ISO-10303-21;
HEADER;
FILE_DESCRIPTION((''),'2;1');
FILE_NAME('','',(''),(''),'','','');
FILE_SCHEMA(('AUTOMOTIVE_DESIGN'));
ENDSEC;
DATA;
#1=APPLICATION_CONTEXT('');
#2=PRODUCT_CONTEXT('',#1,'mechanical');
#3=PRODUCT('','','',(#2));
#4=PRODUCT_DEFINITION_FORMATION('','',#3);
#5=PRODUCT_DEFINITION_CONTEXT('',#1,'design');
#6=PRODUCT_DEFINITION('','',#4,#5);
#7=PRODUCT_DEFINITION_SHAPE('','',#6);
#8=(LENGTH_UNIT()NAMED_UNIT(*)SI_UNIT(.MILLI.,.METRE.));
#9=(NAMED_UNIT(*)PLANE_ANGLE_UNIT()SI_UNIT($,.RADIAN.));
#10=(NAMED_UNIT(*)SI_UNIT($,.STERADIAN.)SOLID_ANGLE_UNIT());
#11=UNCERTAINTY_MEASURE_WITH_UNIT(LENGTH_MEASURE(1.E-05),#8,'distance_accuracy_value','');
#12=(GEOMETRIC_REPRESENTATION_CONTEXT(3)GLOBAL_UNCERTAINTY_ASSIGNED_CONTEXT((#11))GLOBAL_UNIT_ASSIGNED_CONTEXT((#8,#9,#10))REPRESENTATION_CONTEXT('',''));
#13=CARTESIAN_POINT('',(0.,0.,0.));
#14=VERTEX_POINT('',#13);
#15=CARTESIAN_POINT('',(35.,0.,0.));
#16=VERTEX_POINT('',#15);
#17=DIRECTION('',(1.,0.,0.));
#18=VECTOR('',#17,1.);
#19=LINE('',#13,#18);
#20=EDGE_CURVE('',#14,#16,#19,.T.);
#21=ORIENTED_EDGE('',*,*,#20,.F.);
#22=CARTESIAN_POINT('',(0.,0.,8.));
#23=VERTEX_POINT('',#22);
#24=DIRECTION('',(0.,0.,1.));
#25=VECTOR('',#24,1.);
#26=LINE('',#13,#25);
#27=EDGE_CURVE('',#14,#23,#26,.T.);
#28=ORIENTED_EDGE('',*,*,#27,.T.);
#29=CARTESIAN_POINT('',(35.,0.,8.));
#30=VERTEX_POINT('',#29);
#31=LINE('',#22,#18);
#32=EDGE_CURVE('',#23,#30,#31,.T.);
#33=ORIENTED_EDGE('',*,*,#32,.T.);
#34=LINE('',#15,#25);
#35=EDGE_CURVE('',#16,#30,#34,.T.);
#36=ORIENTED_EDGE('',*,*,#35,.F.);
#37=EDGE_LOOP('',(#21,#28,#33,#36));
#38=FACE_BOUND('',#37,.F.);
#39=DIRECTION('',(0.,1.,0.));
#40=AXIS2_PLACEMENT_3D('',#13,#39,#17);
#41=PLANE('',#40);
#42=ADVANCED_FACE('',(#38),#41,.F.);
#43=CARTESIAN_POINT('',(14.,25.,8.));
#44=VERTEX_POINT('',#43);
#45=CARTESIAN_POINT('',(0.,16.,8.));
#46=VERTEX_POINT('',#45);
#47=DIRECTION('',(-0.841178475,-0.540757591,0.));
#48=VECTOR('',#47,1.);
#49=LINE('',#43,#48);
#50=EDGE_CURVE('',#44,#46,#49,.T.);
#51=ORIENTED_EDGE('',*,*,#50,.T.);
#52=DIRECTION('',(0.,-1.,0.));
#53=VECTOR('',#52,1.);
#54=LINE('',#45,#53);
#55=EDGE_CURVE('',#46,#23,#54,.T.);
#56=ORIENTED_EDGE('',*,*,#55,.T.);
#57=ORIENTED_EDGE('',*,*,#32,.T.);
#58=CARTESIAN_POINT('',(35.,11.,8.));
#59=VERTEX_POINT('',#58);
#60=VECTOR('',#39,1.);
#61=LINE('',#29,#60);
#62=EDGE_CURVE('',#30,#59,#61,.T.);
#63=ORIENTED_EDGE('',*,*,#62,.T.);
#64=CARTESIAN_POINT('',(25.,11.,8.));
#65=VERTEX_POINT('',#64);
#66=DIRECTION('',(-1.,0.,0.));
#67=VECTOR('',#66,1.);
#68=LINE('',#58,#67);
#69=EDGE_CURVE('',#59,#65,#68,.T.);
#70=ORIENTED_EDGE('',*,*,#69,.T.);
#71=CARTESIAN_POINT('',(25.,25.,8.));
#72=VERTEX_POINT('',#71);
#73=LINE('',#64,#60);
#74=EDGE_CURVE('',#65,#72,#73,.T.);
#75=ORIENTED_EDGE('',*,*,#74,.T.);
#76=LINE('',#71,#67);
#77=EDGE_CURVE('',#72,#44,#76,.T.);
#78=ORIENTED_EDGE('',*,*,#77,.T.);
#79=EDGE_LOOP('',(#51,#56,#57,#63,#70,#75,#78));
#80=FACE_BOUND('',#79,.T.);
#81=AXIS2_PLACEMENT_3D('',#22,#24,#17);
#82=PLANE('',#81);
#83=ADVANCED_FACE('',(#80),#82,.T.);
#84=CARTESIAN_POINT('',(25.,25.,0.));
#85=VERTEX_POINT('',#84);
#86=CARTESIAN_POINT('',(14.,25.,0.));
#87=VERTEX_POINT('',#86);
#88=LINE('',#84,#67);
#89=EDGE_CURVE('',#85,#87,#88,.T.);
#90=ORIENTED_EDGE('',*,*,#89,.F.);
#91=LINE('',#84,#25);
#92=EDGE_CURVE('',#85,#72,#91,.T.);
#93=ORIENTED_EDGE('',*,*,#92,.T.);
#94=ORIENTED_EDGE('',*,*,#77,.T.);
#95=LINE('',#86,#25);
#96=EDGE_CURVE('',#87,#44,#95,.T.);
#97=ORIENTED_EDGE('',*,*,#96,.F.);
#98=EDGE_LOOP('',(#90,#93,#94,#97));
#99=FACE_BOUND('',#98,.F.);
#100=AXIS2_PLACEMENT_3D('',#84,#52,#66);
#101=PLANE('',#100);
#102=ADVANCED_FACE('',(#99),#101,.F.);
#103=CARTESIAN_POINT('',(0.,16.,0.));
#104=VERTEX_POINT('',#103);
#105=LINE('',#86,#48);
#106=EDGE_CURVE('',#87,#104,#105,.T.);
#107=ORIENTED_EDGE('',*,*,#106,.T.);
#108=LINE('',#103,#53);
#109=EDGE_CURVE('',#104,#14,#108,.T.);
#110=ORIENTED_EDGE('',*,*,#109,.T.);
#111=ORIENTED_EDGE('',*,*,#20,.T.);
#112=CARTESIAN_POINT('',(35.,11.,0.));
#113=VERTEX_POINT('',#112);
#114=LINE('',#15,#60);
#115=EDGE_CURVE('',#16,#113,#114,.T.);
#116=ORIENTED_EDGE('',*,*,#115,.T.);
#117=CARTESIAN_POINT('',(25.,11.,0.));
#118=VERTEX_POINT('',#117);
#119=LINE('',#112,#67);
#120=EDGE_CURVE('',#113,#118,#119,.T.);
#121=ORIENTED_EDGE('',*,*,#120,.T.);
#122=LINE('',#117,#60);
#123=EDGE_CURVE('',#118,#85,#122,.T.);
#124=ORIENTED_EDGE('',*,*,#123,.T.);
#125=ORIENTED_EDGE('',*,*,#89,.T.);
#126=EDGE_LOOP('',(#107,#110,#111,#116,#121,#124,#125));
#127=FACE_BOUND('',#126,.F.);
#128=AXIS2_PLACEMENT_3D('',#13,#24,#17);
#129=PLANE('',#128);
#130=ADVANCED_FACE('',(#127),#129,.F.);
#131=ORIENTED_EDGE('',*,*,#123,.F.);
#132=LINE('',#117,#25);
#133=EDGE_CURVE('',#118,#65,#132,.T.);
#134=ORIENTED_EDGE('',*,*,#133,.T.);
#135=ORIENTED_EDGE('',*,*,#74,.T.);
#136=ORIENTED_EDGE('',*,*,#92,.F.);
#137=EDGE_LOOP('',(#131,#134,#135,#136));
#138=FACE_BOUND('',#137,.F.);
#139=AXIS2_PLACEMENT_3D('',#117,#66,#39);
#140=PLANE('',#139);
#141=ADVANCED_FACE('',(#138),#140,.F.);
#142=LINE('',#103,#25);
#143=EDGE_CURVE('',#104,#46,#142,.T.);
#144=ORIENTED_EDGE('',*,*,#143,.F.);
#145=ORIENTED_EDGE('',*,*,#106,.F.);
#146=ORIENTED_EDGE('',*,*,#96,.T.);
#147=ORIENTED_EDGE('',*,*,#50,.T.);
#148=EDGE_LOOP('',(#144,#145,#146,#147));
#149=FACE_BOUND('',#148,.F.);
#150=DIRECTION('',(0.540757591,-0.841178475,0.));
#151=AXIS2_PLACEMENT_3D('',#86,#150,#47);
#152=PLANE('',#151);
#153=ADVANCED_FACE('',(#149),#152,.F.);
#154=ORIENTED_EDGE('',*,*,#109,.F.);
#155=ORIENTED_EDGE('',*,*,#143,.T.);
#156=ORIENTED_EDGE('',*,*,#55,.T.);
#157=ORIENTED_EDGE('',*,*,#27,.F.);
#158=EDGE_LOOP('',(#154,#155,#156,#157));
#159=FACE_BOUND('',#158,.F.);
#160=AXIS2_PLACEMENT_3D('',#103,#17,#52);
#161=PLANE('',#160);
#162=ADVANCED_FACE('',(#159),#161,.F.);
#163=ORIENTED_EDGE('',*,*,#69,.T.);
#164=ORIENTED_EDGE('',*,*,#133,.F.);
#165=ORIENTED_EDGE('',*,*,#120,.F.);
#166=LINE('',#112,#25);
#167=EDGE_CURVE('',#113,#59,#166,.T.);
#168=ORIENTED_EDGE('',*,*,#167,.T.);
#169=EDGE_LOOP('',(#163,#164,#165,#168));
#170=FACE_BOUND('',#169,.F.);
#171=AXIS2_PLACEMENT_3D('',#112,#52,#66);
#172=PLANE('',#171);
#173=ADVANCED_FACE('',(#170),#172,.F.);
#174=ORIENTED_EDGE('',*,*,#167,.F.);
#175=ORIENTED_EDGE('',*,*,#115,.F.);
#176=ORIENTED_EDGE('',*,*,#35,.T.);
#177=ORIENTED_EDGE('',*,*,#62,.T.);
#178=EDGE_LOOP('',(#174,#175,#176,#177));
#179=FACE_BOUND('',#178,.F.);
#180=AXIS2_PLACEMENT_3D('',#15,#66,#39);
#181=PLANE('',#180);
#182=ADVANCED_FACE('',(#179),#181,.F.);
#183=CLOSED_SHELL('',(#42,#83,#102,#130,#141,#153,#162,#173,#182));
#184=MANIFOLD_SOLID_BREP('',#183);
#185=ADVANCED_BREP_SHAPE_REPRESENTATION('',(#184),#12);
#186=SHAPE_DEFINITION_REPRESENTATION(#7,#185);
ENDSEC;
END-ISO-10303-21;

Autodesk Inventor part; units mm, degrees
ref_plane "YZ Plane" through (0, 0, 0) normal (1, 0, 0) x (0, 1, 0)
ref_plane "XZ Plane" through (0, 0, 0) normal (0, 1, 0) x (-1, 0, 0)
ref_plane "XY Plane" through (0, 0, 0) normal (0, 0, 1) x (1, 0, 0)
sketch "Esboço1" plane through (0, 0, 0) normal (0, 0, 1) x (1, 0, 0)
  line L0 (0, 0) -> (35, 0)
  line L1 (35, 0) -> (35, 11)
  line L2 (35, 11) -> (25, 11)
  line L3 (25, 11) -> (25, 25)
  line L4 (25, 25) -> (14, 25)
  line L5 (14, 25) -> (0, 16)
  line L6 (0, 16) -> (0, 0)
  dimension "d0" = 35
  dimension "d1" = 11
  dimension "d2" = 14
  dimension "d3" = 10
  dimension "d4" = 9
  dimension "d5" = 11
extrude "Extrusão1" add sketch "Esboço1" along normal blind 8
